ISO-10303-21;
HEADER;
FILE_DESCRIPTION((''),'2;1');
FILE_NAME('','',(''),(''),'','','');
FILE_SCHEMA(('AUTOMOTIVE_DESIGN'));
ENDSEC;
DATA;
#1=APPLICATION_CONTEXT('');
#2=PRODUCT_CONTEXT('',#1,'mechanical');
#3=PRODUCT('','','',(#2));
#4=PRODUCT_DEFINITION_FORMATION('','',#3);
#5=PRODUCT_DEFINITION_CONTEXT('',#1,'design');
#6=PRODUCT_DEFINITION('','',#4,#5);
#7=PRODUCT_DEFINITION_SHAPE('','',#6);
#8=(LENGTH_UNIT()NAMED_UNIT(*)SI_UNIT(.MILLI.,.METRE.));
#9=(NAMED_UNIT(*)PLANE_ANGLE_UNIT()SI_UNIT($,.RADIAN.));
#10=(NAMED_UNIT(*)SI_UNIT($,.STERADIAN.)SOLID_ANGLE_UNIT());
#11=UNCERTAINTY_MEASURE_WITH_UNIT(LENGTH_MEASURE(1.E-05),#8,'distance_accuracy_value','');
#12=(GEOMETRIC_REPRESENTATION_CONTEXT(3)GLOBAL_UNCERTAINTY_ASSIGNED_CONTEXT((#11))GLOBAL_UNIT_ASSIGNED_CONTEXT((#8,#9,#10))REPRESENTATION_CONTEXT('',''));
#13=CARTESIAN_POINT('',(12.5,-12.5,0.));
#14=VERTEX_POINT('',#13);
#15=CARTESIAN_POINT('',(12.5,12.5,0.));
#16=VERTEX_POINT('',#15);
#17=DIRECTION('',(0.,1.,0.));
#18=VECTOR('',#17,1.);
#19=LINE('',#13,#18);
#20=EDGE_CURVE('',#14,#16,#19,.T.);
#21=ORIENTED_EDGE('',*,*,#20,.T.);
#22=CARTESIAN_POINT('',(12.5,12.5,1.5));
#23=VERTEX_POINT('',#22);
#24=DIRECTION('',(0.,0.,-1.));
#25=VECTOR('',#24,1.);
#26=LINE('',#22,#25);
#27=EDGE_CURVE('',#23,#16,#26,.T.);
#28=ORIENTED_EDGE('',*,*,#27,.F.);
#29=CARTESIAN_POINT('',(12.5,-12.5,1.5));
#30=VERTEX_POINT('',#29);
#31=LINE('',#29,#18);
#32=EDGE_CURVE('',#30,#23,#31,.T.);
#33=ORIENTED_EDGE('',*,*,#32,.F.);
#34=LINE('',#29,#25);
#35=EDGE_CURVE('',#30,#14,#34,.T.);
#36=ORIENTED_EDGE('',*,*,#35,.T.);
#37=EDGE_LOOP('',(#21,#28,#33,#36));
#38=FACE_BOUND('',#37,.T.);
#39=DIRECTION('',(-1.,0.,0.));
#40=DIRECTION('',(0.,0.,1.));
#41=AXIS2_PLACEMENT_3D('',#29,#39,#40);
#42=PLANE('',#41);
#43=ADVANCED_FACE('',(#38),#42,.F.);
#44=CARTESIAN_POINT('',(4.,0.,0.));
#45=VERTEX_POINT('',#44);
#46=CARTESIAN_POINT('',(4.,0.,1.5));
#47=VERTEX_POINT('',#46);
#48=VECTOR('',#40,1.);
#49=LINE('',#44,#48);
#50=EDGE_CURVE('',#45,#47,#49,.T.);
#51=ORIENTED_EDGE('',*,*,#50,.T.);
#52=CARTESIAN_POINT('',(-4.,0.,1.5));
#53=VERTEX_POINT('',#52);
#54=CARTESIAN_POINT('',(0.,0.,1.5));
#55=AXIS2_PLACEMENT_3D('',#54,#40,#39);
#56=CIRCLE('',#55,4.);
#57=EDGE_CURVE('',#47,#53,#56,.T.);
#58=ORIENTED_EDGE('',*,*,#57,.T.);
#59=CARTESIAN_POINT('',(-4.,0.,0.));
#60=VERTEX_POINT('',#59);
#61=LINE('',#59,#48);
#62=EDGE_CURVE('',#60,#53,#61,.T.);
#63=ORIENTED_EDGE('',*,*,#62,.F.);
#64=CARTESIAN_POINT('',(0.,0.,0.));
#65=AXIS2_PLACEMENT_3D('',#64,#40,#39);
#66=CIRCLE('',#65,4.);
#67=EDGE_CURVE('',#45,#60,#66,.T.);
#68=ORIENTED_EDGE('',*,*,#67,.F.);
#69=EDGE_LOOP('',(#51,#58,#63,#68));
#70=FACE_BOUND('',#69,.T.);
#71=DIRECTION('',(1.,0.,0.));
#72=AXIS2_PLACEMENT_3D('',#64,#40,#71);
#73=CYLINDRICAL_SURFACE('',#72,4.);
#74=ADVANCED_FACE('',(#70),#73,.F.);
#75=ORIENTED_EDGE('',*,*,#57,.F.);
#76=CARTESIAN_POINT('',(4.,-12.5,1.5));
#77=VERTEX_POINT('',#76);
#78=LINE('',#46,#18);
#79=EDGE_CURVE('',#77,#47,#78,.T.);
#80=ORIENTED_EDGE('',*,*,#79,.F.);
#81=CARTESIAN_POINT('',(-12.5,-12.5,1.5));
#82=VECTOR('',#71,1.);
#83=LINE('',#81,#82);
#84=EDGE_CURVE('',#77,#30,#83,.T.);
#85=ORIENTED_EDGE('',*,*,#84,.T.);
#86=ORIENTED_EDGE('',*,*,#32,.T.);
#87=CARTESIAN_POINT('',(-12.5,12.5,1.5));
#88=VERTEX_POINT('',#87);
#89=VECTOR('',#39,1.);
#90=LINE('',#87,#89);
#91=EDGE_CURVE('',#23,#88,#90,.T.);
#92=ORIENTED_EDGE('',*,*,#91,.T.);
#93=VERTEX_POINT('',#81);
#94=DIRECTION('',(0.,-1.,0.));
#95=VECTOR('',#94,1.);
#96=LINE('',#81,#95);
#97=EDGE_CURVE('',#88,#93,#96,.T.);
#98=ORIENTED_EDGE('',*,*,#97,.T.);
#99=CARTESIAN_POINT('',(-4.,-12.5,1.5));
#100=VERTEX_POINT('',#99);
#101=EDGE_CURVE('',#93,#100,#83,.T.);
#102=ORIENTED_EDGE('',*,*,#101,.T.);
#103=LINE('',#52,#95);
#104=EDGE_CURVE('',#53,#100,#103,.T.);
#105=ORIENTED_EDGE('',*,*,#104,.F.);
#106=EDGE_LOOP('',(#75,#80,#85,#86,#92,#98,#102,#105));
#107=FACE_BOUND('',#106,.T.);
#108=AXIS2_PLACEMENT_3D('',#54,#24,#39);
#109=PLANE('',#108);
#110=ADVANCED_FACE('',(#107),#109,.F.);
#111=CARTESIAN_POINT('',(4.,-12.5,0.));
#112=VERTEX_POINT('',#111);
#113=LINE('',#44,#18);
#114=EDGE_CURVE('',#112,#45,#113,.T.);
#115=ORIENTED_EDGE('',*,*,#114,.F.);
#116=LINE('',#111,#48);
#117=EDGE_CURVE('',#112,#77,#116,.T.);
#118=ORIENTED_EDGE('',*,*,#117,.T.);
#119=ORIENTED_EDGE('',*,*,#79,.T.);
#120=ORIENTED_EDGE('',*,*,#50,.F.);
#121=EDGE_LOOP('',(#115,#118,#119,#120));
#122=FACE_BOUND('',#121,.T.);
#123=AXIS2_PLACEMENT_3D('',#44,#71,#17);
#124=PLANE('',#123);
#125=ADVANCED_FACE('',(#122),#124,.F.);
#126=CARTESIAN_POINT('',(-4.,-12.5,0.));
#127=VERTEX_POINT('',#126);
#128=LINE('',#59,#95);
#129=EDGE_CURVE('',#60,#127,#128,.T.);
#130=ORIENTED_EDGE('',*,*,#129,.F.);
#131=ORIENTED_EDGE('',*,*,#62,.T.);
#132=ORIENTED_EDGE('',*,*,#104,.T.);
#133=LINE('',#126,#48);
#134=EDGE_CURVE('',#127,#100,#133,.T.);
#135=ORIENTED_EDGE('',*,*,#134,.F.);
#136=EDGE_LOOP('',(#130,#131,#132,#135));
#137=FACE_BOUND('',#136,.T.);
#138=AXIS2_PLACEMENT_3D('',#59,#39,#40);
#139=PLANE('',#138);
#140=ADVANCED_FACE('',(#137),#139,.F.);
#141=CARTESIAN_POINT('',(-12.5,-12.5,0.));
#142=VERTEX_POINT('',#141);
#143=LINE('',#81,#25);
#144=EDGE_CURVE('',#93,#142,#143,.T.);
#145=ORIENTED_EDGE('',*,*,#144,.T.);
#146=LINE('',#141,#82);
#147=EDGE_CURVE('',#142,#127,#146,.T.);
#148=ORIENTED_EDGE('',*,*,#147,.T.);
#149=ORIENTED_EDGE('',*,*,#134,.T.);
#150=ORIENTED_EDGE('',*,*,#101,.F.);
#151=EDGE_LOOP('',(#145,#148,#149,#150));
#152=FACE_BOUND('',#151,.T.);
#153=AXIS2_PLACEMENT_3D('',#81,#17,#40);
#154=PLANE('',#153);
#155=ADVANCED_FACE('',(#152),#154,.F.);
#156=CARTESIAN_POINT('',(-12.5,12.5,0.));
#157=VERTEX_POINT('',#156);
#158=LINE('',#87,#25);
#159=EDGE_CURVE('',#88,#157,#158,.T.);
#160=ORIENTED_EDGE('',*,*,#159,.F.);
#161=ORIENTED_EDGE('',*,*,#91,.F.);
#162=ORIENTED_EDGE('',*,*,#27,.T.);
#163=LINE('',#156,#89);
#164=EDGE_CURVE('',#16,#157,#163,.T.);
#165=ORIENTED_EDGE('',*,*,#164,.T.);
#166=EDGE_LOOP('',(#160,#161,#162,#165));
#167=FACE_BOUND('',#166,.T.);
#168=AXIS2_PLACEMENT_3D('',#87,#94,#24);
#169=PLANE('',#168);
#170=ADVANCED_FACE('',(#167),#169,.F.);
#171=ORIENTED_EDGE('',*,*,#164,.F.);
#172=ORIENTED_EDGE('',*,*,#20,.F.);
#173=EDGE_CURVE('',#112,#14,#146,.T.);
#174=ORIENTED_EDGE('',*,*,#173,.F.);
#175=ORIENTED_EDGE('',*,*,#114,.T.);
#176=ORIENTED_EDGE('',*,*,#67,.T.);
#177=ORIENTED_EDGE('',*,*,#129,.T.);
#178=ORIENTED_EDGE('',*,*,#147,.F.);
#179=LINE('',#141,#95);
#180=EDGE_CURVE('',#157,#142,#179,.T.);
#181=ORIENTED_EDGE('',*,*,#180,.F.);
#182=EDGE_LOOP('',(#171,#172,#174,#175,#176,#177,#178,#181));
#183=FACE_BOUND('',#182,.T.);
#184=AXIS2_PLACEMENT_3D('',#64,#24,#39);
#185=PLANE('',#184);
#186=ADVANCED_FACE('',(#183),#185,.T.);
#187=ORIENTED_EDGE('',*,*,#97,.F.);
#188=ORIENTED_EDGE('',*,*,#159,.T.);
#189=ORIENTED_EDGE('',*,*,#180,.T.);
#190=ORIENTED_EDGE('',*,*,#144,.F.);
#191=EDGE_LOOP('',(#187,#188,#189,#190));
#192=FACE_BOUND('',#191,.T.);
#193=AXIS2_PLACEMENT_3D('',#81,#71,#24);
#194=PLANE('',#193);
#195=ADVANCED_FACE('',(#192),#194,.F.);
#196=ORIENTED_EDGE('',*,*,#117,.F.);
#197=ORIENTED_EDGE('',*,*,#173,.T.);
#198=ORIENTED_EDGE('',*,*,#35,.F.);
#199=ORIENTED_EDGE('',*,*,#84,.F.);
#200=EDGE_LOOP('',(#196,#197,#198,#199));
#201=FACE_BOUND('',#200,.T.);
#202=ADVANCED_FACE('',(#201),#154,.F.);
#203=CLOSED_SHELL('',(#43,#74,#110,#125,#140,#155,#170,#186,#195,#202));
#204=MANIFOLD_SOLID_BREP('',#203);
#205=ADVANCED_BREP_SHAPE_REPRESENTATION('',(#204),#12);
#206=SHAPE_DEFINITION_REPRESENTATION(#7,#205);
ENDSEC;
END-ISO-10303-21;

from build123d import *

# Parameters (mm, degrees)
SCHIZZO1_W                   = 25
SCHIZZO1_H                   = 25
ESTRUSIONE_ESTRUSIONE1_DEPTH = 1.5
TAGLIO_ESTRUSIONE1_DEPTH     = 18.741194999


with BuildPart() as part:
    # Schizzo1 → Estrusione-Estrusione1 (new body)
    with BuildSketch(Plane.XY):
        Rectangle(SCHIZZO1_W, SCHIZZO1_H)
    extrude(amount=ESTRUSIONE_ESTRUSIONE1_DEPTH)

    # Schizzo2 → Taglio-Estrusione1 (cut, through all)
    with BuildSketch(Plane.XY.offset(1.5)):
        with BuildLine():
            Line((-4, 0), (-4, -12.5))
            Line((-4, -12.5), (4, -12.5))
            Line((4, -12.5), (4, 0))
            ThreePointArc((4, 0), (0, 4), (-4, 0))
        make_face()
    extrude(amount=-TAGLIO_ESTRUSIONE1_DEPTH, mode=Mode.SUBTRACT)


solid = part.part
